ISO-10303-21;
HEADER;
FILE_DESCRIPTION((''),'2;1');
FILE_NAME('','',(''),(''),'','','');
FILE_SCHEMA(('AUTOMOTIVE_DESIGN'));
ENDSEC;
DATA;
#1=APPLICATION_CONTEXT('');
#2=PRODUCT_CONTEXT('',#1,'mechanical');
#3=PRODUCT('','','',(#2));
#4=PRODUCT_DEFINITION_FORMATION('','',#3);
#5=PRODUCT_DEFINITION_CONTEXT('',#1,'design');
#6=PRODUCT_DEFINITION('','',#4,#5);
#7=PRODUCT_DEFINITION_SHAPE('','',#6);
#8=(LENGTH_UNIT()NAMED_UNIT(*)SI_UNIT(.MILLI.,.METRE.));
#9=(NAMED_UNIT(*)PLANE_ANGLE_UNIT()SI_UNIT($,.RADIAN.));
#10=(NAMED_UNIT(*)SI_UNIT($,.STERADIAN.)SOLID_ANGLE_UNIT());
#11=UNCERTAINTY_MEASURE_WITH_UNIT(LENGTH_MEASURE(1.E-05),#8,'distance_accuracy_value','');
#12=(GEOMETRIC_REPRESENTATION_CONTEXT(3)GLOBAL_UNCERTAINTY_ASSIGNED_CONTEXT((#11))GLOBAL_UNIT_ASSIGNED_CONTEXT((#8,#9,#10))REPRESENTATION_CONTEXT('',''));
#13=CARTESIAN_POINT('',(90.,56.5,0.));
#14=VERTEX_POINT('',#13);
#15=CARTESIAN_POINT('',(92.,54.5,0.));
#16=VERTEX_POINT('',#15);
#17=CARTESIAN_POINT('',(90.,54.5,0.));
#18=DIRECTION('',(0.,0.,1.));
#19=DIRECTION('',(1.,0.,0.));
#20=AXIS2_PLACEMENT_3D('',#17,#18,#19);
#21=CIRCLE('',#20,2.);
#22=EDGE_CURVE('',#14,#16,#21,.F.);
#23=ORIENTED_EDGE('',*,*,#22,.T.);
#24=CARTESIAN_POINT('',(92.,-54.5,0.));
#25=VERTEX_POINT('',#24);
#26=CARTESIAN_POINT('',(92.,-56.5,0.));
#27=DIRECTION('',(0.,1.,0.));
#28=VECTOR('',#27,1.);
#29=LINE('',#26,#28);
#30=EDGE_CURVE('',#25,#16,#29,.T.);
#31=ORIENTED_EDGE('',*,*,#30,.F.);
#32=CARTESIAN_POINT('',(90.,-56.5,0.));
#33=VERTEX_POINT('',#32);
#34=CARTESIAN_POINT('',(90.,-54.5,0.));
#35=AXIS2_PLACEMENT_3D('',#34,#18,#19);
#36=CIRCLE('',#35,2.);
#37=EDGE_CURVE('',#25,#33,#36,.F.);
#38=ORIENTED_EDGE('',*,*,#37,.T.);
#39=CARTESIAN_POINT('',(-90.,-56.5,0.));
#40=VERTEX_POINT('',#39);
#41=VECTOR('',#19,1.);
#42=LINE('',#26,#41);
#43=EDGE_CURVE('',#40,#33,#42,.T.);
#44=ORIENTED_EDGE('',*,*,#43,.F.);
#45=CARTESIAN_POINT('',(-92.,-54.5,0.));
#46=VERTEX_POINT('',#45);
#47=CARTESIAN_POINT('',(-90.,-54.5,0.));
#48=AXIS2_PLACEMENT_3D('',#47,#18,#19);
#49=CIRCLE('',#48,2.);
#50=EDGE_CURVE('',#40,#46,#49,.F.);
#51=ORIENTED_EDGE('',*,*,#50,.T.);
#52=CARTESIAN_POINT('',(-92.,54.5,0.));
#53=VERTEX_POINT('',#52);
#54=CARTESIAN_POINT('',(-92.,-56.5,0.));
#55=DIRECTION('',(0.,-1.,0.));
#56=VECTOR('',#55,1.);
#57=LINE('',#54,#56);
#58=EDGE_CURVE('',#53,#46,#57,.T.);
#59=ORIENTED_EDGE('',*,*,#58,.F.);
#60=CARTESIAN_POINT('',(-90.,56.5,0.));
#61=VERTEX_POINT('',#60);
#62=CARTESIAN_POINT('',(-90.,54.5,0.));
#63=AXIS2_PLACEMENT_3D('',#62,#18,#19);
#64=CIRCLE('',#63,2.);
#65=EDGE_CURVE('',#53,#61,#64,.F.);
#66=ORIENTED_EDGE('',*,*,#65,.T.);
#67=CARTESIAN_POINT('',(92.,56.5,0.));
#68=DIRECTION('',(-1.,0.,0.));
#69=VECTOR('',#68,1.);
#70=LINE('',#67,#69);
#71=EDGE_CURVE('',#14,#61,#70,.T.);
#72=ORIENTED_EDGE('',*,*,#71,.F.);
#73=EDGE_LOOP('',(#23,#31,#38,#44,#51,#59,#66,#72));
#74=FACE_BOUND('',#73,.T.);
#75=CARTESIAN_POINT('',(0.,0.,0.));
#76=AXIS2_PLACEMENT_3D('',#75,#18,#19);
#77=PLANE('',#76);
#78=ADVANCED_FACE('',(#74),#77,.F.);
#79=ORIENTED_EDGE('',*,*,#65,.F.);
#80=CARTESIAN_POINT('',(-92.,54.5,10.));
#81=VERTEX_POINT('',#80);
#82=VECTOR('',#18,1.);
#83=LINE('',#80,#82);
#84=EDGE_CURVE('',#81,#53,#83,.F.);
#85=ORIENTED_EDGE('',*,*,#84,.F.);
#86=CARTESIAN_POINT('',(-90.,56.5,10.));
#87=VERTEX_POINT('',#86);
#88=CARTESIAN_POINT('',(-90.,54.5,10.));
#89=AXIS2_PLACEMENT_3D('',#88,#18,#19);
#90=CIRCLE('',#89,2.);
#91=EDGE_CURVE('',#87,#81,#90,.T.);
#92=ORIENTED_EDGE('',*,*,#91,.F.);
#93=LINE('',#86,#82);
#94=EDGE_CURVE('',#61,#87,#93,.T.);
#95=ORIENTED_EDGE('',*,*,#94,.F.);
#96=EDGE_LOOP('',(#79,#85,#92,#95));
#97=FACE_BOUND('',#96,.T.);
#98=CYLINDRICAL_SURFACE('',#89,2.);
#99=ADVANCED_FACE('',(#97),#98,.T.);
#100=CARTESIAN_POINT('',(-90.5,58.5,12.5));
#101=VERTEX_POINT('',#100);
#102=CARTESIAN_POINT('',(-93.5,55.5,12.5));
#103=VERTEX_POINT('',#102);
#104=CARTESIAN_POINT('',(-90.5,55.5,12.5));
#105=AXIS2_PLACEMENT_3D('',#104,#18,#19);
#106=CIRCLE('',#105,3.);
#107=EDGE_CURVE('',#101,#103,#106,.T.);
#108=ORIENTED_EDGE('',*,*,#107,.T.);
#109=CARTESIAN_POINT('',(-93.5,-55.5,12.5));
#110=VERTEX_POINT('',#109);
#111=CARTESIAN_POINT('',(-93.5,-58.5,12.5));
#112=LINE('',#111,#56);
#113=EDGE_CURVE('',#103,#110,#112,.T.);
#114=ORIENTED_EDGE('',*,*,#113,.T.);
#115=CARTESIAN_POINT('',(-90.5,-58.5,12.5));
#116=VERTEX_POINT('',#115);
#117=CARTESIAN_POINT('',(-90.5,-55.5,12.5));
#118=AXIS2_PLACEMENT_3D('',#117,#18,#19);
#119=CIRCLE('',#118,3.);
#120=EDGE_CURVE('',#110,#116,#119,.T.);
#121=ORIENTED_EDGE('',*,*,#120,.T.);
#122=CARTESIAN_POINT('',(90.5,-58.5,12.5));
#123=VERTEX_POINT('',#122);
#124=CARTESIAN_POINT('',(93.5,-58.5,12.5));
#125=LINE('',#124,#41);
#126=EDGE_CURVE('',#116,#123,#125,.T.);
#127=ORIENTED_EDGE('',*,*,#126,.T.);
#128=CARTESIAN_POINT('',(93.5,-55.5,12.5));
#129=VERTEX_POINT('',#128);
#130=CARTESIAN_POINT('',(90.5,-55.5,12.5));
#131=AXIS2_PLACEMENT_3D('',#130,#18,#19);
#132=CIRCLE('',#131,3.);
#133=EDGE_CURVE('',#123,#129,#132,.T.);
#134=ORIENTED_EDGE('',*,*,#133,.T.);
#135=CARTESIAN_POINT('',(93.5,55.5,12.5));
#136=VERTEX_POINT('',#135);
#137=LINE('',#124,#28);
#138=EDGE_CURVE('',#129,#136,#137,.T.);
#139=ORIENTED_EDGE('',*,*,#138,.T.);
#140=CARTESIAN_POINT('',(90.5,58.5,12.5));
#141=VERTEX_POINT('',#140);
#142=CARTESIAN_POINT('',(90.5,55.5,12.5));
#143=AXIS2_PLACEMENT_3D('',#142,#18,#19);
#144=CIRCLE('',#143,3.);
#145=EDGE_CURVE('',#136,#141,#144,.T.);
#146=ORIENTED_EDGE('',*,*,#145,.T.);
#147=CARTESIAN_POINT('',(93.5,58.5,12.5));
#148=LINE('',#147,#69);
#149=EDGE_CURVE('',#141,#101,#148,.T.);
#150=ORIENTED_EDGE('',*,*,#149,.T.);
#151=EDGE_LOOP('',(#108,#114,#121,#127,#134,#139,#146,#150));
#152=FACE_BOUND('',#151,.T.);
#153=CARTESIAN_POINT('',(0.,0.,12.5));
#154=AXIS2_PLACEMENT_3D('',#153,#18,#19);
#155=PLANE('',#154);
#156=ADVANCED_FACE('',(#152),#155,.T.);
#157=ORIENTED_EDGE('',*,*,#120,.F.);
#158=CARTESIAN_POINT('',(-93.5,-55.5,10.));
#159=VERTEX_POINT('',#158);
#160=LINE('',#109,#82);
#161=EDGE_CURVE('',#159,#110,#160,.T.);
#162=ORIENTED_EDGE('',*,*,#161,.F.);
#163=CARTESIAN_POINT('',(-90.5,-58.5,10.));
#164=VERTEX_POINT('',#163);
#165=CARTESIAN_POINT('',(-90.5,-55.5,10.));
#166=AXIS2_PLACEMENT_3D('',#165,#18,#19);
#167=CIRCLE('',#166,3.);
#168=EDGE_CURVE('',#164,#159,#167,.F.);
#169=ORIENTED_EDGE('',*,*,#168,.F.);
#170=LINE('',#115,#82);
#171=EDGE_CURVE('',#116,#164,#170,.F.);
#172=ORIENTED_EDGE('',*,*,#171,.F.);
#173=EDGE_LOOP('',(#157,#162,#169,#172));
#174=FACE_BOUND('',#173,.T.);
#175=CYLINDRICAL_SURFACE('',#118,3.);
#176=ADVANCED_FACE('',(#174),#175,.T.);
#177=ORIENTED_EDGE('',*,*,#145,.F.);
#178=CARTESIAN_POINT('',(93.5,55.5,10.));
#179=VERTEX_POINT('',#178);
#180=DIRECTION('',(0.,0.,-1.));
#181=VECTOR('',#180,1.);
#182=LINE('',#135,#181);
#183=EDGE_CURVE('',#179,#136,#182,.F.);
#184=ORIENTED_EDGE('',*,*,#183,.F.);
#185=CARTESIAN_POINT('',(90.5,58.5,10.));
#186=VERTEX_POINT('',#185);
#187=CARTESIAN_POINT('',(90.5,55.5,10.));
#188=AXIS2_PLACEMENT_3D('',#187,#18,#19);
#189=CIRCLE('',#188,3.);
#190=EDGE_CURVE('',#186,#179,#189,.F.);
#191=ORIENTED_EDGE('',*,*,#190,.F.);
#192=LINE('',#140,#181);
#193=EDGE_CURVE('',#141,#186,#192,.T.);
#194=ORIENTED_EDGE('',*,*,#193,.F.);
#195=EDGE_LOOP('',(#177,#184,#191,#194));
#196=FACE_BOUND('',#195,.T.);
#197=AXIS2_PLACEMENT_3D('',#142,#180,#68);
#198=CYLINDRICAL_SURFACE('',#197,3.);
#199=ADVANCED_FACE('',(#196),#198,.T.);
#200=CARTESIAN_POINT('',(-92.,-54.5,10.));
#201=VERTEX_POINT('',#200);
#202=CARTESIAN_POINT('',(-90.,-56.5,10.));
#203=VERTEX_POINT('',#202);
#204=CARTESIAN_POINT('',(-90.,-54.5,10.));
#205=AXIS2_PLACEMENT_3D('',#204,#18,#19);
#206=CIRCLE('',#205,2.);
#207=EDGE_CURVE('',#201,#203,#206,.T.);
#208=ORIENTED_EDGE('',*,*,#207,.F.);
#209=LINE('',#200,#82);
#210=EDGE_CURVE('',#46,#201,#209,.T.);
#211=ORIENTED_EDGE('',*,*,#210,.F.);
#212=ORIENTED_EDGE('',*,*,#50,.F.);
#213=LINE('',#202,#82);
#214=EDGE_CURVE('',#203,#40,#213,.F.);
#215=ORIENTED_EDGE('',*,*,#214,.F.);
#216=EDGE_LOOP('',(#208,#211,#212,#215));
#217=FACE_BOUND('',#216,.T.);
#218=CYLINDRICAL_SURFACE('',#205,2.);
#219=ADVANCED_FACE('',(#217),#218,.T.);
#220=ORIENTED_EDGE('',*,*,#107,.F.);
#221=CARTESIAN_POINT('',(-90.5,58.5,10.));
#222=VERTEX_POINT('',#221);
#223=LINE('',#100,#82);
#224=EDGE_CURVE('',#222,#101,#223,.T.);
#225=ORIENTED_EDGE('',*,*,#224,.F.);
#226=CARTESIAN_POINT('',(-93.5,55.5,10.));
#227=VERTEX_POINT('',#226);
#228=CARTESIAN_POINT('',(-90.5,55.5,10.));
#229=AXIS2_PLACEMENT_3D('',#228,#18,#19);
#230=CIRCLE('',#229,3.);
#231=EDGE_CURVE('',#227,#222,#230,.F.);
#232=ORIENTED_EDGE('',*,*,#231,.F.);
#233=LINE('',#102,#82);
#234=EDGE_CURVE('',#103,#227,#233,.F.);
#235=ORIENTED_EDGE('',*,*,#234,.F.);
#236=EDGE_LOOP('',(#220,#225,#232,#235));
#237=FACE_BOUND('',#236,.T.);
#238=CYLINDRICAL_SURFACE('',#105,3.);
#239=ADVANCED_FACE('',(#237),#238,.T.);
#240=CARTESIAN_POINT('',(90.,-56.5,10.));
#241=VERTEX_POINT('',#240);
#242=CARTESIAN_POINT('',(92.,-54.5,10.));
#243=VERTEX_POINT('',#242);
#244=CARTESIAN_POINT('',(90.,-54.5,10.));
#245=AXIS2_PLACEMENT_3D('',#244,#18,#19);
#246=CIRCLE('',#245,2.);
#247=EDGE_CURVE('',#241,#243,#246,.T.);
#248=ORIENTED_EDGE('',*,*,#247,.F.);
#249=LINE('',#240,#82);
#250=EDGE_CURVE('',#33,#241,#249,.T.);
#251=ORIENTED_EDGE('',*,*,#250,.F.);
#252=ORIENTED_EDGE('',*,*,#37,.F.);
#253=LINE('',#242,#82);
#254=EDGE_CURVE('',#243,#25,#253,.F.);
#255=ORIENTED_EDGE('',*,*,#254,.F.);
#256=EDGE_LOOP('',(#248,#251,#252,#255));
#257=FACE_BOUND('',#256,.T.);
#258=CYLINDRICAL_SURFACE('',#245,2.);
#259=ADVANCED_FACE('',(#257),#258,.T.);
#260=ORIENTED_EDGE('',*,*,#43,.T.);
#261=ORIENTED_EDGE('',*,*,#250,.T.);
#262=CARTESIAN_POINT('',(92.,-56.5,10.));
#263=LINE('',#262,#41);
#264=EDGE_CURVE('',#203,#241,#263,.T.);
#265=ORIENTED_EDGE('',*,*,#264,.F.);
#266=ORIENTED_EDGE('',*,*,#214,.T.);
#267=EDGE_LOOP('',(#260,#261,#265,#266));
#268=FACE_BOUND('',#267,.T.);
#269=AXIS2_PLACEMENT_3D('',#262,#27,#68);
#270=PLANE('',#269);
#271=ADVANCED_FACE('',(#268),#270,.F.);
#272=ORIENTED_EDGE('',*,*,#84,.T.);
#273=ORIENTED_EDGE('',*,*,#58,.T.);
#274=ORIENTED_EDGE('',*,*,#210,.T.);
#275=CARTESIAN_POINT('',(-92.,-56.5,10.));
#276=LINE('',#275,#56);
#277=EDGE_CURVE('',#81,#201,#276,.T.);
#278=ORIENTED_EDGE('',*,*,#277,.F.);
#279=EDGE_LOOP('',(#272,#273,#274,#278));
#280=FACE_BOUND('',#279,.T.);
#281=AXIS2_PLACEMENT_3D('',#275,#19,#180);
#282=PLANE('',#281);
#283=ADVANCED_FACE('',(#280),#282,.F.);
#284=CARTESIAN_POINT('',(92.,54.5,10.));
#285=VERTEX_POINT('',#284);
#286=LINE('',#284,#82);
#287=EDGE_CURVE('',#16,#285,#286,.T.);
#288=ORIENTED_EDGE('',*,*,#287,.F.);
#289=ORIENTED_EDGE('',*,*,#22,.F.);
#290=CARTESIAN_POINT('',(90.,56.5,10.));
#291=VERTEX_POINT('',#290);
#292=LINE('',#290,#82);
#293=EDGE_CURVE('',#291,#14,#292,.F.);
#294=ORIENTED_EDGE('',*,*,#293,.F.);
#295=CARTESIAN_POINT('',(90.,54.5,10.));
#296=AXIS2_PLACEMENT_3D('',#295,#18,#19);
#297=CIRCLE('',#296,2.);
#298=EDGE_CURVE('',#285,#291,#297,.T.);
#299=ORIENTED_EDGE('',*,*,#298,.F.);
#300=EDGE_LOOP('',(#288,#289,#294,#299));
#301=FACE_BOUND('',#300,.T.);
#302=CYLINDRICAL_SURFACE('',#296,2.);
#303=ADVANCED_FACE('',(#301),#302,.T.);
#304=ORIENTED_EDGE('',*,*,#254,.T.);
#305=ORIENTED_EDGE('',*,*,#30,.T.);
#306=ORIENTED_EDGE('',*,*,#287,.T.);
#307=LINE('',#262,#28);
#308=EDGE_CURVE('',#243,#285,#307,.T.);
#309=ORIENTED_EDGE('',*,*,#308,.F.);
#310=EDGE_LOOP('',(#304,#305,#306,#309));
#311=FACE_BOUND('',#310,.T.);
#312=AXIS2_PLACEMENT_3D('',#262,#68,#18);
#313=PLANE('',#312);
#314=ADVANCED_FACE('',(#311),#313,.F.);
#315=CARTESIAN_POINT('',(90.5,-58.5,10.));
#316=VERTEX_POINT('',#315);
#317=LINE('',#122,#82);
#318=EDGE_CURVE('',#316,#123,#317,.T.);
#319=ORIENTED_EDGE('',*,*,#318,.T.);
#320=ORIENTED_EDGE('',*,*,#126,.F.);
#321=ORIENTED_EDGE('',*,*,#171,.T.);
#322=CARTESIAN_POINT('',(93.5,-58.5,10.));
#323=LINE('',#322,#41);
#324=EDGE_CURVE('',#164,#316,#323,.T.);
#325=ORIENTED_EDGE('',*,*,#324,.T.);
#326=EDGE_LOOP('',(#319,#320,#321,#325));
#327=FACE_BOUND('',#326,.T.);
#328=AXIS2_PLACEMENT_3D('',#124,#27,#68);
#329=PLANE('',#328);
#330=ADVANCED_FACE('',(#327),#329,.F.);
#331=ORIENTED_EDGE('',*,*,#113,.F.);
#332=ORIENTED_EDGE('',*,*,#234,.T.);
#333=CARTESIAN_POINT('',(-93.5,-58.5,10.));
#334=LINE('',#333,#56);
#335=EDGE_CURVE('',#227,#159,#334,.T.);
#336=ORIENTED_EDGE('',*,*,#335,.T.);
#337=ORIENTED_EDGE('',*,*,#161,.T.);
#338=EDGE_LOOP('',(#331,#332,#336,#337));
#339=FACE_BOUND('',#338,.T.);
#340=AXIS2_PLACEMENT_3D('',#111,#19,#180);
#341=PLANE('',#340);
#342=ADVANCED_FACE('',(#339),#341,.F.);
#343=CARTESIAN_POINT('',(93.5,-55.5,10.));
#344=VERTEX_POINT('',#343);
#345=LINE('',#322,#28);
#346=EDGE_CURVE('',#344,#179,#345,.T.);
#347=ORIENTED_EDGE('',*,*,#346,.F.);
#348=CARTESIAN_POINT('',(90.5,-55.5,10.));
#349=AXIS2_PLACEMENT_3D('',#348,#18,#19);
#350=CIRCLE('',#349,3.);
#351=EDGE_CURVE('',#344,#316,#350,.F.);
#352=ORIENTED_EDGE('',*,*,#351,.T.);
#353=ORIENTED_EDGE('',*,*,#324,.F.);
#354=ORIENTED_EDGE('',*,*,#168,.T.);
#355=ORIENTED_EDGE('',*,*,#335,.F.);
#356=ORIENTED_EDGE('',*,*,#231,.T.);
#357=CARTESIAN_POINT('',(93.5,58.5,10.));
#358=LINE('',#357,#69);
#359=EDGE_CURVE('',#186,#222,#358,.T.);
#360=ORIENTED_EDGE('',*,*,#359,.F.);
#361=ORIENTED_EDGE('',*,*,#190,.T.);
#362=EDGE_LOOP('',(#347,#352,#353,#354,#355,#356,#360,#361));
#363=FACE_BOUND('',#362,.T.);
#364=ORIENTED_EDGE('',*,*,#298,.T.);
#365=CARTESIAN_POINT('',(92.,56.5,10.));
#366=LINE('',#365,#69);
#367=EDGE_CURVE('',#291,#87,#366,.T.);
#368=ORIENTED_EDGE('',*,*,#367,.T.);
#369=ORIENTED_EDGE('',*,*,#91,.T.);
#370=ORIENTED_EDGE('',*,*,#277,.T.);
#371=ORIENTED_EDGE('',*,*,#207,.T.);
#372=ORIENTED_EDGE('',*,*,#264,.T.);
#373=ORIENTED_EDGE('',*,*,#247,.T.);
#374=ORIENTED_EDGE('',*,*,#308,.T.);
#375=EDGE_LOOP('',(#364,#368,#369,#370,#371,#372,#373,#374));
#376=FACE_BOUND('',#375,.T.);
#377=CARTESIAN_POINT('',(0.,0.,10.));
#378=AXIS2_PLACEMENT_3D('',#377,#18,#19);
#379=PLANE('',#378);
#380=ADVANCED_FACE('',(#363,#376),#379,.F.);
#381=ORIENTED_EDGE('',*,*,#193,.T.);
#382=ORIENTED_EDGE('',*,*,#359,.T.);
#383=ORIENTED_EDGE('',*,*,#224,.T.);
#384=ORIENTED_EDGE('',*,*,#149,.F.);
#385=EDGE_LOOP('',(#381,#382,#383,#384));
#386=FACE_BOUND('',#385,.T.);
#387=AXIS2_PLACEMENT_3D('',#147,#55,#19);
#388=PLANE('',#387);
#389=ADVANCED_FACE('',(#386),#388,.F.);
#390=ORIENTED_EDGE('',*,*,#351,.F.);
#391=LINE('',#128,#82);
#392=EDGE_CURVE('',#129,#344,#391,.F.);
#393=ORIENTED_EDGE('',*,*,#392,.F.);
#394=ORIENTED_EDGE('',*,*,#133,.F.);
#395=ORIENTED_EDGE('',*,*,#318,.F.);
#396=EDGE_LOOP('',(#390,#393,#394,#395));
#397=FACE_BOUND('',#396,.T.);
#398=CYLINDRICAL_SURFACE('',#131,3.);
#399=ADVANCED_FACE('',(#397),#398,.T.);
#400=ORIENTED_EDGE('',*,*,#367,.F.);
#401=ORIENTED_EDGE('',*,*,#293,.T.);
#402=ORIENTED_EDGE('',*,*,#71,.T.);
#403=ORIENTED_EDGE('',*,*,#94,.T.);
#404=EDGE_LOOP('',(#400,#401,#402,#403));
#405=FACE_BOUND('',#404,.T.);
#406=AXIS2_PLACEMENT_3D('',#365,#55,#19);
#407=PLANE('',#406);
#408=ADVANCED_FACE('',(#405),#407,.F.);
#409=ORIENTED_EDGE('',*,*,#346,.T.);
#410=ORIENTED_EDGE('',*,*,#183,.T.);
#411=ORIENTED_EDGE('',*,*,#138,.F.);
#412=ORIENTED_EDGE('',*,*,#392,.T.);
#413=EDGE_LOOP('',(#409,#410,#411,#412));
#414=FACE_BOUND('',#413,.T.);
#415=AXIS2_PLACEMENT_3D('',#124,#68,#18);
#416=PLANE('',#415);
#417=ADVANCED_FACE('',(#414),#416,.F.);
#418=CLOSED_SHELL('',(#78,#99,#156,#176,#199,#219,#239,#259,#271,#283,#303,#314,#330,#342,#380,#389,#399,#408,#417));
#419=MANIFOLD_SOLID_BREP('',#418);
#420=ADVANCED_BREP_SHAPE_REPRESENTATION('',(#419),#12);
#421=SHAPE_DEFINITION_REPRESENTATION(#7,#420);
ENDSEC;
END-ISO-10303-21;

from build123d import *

# Parameters (mm, degrees)
SCHIZZO1_W                   = 184
SCHIZZO1_H                   = 113
ESTRUSIONE_ESTRUSIONE1_DEPTH = 10
RACCORDO1_R                  = 2
RACCORDO2_R                  = 2
RACCORDO3_R                  = 2
RACCORDO4_R                  = 2
SCHIZZO2_W                   = 187
SCHIZZO2_H                   = 117
ESTRUSIONE_ESTRUSIONE2_DEPTH = 2.5
RACCORDO5_R                  = 3
RACCORDO6_R                  = 3
RACCORDO7_R                  = 3
RACCORDO8_R                  = 3


with BuildPart() as part:
    # Schizzo1 → Estrusione-Estrusione1 (new body)
    with BuildSketch(Plane.XY):
        Rectangle(SCHIZZO1_W, SCHIZZO1_H)
    extrude(amount=ESTRUSIONE_ESTRUSIONE1_DEPTH)

    # Raccordo1
    raccordo1_edges = [part.edges().sort_by_distance(p)[0] for p in [
        (-92, 56.5, 5),
    ]]
    fillet(raccordo1_edges, radius=RACCORDO1_R)

    # Raccordo2
    raccordo2_edges = [part.edges().sort_by_distance(p)[0] for p in [
        (-92, -56.5, 5),
    ]]
    fillet(raccordo2_edges, radius=RACCORDO2_R)

    # Raccordo3
    raccordo3_edges = [part.edges().sort_by_distance(p)[0] for p in [
        (92, -56.5, 5),
    ]]
    fillet(raccordo3_edges, radius=RACCORDO3_R)

    # Raccordo4
    raccordo4_edges = [part.edges().sort_by_distance(p)[0] for p in [
        (92, 56.5, 5),
    ]]
    fillet(raccordo4_edges, radius=RACCORDO4_R)

    # Schizzo2 → Estrusione-Estrusione2 (add)
    with BuildSketch(Plane.XY.offset(10)):
        Rectangle(SCHIZZO2_W, SCHIZZO2_H)
    extrude(amount=ESTRUSIONE_ESTRUSIONE2_DEPTH)

    # Raccordo5
    raccordo5_edges = [part.edges().sort_by_distance(p)[0] for p in [
        (-93.5, 58.5, 11.25),
    ]]
    fillet(raccordo5_edges, radius=RACCORDO5_R)

    # Raccordo6
    raccordo6_edges = [part.edges().sort_by_distance(p)[0] for p in [
        (-93.5, -58.5, 11.25),
    ]]
    fillet(raccordo6_edges, radius=RACCORDO6_R)

    # Raccordo7
    raccordo7_edges = [part.edges().sort_by_distance(p)[0] for p in [
        (93.5, -58.5, 11.25),
    ]]
    fillet(raccordo7_edges, radius=RACCORDO7_R)

    # Raccordo8
    raccordo8_edges = [part.edges().sort_by_distance(p)[0] for p in [
        (93.5, 58.5, 11.25),
    ]]
    fillet(raccordo8_edges, radius=RACCORDO8_R)


solid = part.part
